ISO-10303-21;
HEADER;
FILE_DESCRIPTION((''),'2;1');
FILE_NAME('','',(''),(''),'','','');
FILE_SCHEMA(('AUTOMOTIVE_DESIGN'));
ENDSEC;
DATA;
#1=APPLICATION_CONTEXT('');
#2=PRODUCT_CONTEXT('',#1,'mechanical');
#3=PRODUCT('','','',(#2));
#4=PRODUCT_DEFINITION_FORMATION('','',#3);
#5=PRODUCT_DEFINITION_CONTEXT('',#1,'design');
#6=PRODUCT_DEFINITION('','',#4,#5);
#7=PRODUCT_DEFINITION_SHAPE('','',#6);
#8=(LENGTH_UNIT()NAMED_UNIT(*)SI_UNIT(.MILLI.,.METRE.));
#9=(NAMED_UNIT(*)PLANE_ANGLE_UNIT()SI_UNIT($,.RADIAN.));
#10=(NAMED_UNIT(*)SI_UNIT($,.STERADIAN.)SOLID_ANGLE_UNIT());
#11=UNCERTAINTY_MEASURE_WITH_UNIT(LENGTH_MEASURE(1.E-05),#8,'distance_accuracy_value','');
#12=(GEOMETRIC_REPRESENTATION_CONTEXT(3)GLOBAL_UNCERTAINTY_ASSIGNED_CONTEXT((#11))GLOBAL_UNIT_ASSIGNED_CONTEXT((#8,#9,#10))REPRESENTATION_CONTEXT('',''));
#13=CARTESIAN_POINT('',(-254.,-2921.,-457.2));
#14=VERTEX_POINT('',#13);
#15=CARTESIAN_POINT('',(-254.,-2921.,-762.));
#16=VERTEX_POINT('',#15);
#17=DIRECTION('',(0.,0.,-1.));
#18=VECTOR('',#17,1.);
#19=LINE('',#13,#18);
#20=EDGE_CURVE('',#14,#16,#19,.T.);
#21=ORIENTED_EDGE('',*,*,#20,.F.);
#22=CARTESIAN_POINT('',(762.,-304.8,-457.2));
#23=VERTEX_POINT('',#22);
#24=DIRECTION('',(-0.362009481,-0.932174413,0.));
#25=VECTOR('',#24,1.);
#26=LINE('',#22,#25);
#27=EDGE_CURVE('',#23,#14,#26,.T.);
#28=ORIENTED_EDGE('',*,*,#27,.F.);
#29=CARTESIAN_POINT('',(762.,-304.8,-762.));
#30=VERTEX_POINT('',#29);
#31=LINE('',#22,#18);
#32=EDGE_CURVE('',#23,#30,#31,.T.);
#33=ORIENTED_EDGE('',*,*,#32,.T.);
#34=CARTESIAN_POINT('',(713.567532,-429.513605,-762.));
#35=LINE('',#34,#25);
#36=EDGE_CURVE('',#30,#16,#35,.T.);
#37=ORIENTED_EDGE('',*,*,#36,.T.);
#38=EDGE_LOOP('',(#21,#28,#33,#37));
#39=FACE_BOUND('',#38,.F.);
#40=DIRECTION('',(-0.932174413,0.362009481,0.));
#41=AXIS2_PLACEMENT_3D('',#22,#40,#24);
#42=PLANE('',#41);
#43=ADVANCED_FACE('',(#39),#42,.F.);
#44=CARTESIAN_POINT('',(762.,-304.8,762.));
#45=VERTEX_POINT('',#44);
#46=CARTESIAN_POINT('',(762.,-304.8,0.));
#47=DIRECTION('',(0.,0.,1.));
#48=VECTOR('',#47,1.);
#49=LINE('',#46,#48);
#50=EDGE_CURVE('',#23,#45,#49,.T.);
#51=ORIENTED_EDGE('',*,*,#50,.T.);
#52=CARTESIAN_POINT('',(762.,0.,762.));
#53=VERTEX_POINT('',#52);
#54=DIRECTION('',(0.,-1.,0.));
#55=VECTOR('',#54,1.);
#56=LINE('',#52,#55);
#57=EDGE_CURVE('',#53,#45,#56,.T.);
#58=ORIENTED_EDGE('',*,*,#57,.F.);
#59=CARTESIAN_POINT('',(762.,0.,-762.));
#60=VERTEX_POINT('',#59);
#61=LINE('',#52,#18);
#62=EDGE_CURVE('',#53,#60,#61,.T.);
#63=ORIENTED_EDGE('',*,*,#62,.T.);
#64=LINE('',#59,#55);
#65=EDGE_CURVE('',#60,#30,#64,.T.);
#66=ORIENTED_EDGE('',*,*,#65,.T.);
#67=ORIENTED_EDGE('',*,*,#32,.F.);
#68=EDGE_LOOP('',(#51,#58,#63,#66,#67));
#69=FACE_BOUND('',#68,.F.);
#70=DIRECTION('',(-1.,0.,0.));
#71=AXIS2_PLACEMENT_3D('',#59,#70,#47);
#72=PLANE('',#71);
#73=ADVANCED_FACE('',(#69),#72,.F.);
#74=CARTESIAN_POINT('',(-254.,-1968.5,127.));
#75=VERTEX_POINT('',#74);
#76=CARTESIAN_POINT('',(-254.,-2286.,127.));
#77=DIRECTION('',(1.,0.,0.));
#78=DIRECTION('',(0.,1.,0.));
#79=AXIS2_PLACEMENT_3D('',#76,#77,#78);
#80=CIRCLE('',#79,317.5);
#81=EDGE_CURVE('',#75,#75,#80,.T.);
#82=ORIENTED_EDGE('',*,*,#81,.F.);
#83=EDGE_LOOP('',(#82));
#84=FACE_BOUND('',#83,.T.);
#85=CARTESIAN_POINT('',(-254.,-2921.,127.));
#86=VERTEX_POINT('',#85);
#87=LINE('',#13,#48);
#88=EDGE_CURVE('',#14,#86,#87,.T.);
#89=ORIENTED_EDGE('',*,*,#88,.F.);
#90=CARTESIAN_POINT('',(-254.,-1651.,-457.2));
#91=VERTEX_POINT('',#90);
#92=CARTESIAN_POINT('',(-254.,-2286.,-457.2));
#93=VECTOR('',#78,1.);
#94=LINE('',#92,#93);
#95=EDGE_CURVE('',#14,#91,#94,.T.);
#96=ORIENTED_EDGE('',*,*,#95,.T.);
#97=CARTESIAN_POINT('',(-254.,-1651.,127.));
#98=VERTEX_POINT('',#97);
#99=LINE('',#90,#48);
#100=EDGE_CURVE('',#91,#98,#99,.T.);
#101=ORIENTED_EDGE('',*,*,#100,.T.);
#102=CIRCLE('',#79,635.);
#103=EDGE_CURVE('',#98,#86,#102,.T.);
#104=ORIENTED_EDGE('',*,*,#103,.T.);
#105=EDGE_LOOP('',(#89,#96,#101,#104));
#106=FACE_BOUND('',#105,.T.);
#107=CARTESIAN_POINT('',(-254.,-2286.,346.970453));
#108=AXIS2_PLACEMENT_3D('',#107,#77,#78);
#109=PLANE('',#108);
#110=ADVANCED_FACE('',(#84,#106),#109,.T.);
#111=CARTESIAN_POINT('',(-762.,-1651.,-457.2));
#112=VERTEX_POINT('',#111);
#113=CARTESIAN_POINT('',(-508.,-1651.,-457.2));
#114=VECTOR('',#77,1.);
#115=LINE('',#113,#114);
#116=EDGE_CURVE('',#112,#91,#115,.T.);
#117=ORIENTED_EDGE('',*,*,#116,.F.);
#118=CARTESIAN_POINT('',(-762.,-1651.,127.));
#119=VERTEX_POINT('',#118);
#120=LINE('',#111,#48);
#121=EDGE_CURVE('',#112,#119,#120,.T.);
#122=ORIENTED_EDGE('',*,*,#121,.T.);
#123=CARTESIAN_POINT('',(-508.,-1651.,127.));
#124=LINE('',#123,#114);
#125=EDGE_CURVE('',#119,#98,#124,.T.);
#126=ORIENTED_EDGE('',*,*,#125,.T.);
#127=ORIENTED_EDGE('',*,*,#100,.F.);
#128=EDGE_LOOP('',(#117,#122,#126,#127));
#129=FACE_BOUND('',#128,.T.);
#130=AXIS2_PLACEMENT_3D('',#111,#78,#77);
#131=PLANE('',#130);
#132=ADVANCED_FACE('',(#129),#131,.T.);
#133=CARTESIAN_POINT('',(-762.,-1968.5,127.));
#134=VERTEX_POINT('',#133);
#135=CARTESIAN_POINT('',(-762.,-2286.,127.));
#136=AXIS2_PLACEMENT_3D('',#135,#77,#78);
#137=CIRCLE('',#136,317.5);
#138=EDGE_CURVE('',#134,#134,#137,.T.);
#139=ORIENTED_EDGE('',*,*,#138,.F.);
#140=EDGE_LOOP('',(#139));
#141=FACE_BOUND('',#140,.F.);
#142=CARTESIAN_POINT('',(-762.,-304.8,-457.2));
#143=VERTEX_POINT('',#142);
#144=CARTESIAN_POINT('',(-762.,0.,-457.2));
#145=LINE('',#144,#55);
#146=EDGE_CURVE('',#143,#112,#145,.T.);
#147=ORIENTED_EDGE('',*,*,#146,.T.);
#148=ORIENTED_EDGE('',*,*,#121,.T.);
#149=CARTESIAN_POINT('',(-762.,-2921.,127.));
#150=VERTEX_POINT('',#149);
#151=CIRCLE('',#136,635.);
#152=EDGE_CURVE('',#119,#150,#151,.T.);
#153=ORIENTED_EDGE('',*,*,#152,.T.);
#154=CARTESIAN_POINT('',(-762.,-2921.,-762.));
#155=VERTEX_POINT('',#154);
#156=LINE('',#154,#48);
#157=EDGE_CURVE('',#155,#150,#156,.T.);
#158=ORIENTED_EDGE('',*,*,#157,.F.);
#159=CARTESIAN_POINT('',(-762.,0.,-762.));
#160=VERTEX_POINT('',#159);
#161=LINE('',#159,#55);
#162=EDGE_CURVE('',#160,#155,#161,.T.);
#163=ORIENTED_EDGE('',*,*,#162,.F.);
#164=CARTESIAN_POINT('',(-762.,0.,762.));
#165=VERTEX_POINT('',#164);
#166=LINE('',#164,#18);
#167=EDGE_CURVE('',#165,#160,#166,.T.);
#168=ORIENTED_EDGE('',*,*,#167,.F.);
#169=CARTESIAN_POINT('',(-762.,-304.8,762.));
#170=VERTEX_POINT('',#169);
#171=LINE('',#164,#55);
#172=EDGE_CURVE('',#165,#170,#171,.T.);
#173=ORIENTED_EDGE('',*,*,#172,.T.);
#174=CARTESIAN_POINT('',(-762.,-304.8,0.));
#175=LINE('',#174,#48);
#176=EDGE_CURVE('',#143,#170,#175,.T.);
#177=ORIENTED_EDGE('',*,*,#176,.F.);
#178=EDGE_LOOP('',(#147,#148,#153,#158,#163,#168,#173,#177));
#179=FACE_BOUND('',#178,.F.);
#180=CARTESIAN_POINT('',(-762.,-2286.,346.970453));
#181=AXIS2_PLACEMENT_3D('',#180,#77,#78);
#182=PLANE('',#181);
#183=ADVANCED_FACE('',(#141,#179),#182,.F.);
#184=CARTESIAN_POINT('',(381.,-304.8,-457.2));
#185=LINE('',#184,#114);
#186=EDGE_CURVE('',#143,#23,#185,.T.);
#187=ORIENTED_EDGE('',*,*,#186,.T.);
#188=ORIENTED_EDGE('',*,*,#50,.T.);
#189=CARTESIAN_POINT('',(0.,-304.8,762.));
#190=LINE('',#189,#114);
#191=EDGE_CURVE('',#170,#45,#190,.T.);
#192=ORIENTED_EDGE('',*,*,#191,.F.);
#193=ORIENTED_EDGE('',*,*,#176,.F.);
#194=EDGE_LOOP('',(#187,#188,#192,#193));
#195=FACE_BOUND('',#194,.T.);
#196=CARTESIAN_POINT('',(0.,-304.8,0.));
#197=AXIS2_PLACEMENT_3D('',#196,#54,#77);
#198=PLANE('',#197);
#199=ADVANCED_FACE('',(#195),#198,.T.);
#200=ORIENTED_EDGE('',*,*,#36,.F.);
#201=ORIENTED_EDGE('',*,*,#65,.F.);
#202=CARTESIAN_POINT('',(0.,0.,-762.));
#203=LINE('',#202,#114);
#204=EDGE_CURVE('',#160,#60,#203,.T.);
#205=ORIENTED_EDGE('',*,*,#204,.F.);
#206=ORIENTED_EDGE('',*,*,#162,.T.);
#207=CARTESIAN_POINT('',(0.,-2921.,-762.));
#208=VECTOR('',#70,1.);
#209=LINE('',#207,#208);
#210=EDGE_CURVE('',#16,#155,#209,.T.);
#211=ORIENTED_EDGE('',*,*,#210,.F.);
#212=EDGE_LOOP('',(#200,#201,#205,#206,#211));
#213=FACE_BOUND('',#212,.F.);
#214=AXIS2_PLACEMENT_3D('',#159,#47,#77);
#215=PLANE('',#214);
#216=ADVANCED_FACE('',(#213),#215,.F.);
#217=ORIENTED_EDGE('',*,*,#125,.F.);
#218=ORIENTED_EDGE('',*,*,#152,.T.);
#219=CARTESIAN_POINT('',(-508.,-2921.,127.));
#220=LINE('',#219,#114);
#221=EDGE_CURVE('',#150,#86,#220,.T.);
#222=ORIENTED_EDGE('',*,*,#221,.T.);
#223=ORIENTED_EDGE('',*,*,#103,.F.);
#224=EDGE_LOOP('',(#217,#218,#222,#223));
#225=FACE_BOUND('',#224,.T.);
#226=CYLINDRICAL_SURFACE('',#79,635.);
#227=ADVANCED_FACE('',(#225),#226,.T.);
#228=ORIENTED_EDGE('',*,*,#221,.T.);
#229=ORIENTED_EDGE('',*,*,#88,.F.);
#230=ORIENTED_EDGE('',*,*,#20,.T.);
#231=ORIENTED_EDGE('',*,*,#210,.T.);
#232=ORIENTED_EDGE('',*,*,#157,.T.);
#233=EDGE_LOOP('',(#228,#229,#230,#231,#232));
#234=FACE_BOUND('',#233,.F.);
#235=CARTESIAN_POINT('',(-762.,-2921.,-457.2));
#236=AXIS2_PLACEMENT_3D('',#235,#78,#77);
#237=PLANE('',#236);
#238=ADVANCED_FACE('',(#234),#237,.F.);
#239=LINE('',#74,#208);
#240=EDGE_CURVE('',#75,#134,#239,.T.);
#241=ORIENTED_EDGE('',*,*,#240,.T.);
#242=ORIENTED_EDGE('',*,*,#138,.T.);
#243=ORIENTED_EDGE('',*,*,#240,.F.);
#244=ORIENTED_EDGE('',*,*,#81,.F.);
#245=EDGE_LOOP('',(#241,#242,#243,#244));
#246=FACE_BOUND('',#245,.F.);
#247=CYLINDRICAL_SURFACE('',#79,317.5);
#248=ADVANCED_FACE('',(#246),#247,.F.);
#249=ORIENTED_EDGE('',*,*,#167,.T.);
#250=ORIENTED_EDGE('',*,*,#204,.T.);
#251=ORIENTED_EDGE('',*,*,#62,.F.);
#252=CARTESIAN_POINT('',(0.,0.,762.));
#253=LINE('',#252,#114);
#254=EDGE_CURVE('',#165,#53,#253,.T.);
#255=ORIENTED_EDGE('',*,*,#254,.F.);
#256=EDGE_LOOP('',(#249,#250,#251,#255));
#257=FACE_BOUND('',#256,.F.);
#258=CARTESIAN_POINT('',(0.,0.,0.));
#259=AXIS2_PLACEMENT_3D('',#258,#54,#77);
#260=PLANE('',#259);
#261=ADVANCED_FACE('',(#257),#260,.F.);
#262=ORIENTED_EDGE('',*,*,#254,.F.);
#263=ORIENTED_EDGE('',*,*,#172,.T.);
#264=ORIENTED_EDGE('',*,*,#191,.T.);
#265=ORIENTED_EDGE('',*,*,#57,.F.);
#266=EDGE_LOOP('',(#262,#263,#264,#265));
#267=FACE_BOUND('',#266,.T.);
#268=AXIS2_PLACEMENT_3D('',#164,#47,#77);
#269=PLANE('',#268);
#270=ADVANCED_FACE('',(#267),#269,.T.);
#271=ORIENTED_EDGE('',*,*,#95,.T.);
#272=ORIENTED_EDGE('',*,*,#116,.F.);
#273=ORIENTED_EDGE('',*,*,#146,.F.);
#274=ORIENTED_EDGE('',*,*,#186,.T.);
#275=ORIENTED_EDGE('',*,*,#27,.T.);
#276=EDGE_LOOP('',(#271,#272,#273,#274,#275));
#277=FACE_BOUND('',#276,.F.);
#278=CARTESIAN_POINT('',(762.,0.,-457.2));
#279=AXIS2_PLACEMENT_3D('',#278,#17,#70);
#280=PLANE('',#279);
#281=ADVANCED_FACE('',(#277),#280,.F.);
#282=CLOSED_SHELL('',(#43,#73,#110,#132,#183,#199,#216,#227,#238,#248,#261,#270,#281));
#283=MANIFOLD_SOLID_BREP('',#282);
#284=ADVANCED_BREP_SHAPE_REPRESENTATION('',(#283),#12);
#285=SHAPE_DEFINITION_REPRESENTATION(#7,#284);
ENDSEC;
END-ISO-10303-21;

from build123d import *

# Parameters (mm, degrees)
F0_W      = 1524
F0_H      = 1524
F1_DEPTH  = 304.8
F2_W      = 1524
F2_H      = 304.8
F3_DEPTH  = 2921
F4_W      = 508
F4_H      = 1270
F5_DEPTH  = 584.2
F7_DEPTH  = 508
F8_R      = 317.5
F9_DEPTH  = 1529.08
F11_DEPTH = 2491.74


with BuildPart() as f1:
    # F0 (on Front) → F1 (new body)
    with BuildSketch(Plane.XZ):
        Rectangle(F0_W, F0_H)
    extrude(amount=F1_DEPTH)

    # F2 (on face) → F3 (join)
    with BuildSketch(Plane(origin=(0, 0, 0), x_dir=(-1, 0, 0), z_dir=(0, 1, 0))):
        with Locations((0, -609.6)):
            Rectangle(F2_W, F2_H)
    extrude(amount=-F3_DEPTH)

    # F4 (on face) → F5 (join)
    with BuildSketch(Plane.XY.offset(-457.2)):
        with Locations((-508, -2286)):
            Rectangle(F4_W, F4_H)
    extrude(amount=F5_DEPTH)

    # F6 (on face) → F7 (join)
    with BuildSketch(Plane.YZ.offset(-254)):
        with BuildLine():
            Line((-2921, 127), (-1651, 127))
            ThreePointArc((-1651, 127), (-2286, 762), (-2921, 127))
        make_face()
    extrude(amount=-F7_DEPTH)

    # F8 (on face) → F9 (cut)
    with BuildSketch(Plane.YZ.offset(-254)):
        with Locations((-2286, 127)):
            Circle(F8_R)
    extrude(amount=-F9_DEPTH, mode=Mode.SUBTRACT)

    # F10 (on face) → F11 (cut)
    with BuildSketch(Plane.XY.offset(-457.2)):
        Polygon((762, -304.8), (-254, -2921), (762, -2921), align=None)
    extrude(amount=-F11_DEPTH, mode=Mode.SUBTRACT)


solid = f1.part
